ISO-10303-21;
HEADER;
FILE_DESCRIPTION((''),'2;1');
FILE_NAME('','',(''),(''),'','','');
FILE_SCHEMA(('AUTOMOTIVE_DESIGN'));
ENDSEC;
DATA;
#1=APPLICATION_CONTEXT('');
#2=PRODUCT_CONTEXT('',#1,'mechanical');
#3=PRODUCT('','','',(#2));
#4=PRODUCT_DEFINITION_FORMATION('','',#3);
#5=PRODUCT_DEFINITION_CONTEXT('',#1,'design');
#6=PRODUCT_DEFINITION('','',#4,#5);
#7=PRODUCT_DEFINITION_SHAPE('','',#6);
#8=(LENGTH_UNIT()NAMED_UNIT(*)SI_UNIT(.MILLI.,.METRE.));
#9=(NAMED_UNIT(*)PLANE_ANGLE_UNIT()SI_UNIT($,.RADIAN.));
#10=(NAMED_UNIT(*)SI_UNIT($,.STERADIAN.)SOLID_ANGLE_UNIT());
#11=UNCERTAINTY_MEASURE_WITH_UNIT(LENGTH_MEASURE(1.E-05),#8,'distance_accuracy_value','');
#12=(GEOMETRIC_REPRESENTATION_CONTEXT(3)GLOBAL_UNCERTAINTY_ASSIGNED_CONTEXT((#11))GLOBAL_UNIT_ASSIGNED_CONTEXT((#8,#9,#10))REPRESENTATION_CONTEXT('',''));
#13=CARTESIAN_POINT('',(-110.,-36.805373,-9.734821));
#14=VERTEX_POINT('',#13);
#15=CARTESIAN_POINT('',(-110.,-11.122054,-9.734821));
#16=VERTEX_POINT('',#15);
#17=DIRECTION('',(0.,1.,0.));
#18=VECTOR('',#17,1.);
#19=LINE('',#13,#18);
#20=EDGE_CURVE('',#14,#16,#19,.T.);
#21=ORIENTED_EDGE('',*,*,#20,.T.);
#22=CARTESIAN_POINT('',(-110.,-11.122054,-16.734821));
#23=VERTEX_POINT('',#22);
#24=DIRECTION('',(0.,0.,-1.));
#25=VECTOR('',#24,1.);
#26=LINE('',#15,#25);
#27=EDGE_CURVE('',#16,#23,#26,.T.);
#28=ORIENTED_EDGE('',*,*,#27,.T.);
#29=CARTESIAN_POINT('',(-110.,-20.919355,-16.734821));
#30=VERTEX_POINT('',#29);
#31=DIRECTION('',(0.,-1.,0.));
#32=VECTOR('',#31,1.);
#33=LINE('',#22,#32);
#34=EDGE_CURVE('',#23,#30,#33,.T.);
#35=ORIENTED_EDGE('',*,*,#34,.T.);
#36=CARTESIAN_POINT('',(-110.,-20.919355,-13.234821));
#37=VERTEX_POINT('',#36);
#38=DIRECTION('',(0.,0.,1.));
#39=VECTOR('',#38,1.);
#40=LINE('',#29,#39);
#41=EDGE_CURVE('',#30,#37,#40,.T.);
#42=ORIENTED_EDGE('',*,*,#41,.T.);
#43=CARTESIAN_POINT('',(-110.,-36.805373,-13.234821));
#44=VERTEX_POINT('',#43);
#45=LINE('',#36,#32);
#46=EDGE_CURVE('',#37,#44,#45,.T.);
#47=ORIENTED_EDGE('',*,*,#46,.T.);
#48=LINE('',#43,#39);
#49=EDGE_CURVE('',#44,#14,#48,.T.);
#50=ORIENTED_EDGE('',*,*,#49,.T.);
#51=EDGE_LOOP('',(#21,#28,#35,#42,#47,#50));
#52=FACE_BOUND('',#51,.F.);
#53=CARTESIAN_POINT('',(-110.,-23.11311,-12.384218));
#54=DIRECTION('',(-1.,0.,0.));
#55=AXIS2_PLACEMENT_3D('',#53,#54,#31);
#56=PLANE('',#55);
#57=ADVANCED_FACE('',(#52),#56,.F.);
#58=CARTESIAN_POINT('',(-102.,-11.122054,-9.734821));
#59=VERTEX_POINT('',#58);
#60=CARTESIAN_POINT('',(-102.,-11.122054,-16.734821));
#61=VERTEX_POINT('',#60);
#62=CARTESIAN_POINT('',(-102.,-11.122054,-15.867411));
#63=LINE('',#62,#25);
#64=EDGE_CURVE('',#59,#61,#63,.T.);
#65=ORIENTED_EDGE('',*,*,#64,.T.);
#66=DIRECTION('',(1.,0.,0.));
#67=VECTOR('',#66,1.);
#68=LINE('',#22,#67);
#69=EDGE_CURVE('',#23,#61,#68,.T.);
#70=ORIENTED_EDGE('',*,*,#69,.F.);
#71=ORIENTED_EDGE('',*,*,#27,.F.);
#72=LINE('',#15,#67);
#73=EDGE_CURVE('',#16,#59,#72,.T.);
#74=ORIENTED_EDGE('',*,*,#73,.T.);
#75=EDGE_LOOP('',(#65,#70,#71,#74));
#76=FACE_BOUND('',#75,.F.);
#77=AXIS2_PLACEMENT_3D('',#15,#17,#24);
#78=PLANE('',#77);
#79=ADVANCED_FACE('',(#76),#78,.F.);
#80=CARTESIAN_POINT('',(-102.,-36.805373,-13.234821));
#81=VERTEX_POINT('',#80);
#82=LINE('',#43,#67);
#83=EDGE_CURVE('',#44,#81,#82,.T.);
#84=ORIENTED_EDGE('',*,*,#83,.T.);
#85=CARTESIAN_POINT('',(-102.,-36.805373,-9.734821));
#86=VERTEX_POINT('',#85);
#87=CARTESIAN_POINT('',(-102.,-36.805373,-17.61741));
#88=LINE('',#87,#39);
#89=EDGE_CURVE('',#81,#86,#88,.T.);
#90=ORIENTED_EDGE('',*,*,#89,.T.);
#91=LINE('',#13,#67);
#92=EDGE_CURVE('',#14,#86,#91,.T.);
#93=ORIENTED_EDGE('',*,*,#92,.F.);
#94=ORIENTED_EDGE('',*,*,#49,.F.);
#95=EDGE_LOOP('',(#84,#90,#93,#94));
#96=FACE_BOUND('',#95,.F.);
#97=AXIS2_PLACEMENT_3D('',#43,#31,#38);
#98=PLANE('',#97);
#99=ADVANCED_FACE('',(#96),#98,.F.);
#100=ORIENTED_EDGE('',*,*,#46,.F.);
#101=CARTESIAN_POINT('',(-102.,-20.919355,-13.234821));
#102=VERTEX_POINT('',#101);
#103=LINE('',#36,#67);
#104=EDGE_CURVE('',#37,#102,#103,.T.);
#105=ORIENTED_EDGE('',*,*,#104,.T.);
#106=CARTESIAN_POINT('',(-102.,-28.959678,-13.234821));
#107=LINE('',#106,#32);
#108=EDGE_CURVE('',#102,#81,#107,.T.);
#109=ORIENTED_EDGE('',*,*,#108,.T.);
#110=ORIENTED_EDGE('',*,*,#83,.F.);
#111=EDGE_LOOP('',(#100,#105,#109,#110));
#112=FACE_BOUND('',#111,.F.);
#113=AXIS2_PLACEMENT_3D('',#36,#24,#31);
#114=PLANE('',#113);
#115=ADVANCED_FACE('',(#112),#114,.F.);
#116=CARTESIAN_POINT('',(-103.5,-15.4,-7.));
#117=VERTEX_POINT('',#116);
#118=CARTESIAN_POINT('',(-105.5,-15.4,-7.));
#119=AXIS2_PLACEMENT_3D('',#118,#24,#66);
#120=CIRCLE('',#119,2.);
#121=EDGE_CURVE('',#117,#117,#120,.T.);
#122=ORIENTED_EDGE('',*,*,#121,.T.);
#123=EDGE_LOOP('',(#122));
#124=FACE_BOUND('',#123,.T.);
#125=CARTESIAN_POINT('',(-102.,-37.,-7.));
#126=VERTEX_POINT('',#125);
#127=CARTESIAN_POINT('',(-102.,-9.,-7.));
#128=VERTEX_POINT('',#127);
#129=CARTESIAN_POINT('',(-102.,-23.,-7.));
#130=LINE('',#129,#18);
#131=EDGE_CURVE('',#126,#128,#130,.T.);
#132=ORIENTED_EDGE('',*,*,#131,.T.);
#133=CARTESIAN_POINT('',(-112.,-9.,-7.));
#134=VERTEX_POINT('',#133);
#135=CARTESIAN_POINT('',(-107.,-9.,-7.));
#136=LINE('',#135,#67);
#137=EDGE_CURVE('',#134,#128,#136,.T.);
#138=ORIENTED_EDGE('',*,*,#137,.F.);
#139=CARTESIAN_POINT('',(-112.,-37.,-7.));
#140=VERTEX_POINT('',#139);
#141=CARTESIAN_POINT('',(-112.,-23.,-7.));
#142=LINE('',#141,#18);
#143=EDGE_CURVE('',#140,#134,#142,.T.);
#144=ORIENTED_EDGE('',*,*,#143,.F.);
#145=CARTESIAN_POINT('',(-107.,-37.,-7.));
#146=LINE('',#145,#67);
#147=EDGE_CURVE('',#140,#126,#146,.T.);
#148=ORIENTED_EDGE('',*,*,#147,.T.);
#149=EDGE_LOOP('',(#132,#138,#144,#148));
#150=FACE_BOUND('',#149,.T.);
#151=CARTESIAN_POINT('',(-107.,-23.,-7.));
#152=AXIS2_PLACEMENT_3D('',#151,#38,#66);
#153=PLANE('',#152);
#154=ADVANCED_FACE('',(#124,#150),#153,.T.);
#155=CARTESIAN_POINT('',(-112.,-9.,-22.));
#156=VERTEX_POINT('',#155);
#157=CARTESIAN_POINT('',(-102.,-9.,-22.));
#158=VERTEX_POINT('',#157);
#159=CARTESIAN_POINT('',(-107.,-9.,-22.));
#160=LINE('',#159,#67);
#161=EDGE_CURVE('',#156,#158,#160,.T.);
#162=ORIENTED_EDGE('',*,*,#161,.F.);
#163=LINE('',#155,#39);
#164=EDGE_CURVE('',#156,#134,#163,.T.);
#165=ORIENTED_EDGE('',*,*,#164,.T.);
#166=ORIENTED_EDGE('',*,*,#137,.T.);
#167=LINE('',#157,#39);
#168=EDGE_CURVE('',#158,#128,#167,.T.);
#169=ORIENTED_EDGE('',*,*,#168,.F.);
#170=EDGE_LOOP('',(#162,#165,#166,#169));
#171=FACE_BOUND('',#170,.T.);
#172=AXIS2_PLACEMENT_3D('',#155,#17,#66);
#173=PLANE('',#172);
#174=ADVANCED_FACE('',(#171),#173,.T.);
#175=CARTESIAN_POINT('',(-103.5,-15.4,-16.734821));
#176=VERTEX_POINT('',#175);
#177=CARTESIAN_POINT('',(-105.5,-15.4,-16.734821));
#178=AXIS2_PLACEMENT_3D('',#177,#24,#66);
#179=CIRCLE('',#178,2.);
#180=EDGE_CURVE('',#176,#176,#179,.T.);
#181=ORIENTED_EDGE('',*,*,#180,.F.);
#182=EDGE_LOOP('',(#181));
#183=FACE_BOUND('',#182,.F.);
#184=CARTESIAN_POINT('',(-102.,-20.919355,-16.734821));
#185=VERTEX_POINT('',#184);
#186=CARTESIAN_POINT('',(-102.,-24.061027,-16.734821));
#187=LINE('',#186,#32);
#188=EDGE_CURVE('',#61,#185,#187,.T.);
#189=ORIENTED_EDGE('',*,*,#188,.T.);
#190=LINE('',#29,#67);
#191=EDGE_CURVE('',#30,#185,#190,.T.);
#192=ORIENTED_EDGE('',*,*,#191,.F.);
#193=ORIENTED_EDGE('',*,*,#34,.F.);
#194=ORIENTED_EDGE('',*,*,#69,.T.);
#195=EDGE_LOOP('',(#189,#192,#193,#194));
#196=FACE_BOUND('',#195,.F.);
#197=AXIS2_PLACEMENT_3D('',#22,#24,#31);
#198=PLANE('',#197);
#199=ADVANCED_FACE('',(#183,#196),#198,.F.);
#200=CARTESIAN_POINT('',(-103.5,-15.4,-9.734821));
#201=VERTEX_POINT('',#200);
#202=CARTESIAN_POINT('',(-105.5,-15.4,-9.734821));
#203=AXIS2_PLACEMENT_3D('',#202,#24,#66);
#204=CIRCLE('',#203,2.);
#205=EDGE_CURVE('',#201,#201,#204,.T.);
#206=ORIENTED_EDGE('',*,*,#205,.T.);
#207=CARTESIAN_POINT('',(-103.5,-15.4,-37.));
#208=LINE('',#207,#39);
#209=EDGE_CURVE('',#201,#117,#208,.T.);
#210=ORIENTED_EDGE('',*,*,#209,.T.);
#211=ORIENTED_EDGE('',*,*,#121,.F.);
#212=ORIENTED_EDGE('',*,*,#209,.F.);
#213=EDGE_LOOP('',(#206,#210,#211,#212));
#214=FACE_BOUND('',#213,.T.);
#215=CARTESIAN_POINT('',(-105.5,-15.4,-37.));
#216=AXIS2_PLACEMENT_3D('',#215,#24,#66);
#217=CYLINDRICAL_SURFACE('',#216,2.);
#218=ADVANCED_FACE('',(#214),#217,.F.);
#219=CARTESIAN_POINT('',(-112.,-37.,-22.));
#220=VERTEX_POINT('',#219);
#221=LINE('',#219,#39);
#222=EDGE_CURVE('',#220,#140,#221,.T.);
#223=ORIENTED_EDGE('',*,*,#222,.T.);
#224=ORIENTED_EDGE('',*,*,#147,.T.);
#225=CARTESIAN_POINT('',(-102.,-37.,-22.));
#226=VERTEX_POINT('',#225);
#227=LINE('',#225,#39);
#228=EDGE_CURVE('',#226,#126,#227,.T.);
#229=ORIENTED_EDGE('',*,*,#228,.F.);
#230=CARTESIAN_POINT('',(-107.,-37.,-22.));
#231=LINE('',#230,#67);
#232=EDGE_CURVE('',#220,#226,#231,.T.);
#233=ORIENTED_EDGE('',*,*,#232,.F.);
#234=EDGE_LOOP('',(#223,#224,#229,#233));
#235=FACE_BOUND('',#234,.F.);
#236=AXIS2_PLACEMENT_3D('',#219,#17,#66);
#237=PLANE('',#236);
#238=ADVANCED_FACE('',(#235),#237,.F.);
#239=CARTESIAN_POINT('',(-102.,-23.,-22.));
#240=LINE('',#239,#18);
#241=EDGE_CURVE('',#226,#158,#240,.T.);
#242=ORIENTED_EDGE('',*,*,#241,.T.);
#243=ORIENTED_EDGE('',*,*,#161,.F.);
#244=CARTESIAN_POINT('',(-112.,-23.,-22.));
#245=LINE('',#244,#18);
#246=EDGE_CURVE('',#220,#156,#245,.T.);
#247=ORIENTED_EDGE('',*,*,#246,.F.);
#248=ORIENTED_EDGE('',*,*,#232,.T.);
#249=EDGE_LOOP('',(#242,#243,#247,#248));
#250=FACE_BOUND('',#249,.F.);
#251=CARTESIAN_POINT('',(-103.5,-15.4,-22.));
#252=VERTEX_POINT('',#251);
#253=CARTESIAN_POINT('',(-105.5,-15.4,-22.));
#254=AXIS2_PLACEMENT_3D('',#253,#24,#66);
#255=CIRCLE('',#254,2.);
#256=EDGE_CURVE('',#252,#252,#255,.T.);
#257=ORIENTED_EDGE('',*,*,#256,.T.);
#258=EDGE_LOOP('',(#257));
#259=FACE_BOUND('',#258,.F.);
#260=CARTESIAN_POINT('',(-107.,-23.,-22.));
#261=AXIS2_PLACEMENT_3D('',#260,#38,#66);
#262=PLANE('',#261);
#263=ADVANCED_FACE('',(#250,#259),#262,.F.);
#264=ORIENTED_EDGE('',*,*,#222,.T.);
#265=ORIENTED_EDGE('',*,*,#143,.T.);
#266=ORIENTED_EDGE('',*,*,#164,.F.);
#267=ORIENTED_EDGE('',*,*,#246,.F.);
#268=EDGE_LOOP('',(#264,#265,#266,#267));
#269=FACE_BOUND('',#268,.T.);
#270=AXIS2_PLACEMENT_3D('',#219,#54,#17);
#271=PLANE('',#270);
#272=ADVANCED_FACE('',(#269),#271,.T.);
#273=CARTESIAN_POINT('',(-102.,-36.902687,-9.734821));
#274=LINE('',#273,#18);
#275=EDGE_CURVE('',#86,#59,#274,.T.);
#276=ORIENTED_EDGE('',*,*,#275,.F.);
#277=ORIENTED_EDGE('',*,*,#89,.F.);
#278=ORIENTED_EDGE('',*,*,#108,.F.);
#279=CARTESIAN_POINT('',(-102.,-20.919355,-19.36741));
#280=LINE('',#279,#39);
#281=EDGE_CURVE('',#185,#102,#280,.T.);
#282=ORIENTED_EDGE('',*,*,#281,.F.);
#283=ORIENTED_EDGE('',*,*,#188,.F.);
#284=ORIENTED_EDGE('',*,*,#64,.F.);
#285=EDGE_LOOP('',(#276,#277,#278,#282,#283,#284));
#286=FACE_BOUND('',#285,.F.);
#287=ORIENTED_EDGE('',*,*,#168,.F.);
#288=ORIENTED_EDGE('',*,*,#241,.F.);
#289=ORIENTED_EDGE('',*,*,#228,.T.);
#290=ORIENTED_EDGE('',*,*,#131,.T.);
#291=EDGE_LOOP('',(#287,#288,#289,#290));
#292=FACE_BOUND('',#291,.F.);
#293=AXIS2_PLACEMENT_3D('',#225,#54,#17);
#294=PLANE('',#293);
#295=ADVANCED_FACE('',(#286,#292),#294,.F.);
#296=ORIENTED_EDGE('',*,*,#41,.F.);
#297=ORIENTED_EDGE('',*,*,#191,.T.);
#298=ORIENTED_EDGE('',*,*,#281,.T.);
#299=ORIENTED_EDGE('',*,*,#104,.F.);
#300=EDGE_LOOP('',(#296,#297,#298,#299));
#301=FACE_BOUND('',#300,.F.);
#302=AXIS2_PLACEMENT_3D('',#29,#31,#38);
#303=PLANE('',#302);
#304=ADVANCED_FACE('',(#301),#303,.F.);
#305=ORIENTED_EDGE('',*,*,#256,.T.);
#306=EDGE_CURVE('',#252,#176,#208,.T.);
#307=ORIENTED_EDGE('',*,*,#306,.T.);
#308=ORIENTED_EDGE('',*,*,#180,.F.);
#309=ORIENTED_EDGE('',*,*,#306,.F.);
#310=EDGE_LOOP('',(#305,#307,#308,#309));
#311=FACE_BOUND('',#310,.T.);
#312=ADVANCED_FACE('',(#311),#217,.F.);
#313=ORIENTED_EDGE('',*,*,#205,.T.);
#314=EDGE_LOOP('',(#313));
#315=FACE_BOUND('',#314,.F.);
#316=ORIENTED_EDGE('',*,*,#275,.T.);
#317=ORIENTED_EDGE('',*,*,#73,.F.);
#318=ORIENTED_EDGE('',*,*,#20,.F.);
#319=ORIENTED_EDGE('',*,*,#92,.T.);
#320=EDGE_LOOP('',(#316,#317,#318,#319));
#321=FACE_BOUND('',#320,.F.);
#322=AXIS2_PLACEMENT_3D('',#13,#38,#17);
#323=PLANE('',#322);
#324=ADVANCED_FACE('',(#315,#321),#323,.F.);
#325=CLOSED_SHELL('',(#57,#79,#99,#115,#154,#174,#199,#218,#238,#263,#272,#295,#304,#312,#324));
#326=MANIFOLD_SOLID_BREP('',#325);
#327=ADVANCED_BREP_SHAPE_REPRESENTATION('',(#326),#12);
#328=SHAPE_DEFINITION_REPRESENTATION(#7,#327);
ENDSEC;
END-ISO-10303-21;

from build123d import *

# Parameters (mm, degrees)
CYLINDER011_R     = 2
CYLINDER011_DEPTH = 50
PAD002_DEPTH      = 30
BOX007_W          = 10
BOX007_H          = 28
BOX007_DEPTH      = 15


with BuildPart() as cylinder011:
    # Cylinder011 → Cylinder011 (new body)
    with BuildSketch(Plane(origin=(-105.5, -15.4, -37), x_dir=(1, 0, 0), z_dir=(0, 0, 1))):
        Circle(CYLINDER011_R)
    extrude(amount=CYLINDER011_DEPTH)


with BuildPart() as fusion001006:
    # Sketch002 → Pad002 (new body)
    with BuildSketch(Plane.YZ):
        Polygon((-36.805373, -9.734821), (-11.122054, -9.734821), (-11.122054, -16.734821), (-20.919355, -16.734821), (-20.919355, -13.234821), (-36.805373, -13.234821), align=None)
    extrude(amount=PAD002_DEPTH)


with BuildPart() as fusion001006_1:
    # Body002 placement: moved
    add(fusion001006.part.moved(Location((-110, 0, 0))))

    # Fusion001006: union Cylinder011
    add(cylinder011.part)


with BuildPart() as cut010:
    # Box007 → Box007 (new body)
    with BuildSketch(Plane(origin=(-112, -37, -22), x_dir=(1, 0, 0), z_dir=(0, 0, 1))):
        with Locations((5, 14)):
            Rectangle(BOX007_W, BOX007_H)
    extrude(amount=BOX007_DEPTH)

    # Cut010: cut Fusion001006
    add(fusion001006_1.part, mode=Mode.SUBTRACT)


solid = cut010.part
